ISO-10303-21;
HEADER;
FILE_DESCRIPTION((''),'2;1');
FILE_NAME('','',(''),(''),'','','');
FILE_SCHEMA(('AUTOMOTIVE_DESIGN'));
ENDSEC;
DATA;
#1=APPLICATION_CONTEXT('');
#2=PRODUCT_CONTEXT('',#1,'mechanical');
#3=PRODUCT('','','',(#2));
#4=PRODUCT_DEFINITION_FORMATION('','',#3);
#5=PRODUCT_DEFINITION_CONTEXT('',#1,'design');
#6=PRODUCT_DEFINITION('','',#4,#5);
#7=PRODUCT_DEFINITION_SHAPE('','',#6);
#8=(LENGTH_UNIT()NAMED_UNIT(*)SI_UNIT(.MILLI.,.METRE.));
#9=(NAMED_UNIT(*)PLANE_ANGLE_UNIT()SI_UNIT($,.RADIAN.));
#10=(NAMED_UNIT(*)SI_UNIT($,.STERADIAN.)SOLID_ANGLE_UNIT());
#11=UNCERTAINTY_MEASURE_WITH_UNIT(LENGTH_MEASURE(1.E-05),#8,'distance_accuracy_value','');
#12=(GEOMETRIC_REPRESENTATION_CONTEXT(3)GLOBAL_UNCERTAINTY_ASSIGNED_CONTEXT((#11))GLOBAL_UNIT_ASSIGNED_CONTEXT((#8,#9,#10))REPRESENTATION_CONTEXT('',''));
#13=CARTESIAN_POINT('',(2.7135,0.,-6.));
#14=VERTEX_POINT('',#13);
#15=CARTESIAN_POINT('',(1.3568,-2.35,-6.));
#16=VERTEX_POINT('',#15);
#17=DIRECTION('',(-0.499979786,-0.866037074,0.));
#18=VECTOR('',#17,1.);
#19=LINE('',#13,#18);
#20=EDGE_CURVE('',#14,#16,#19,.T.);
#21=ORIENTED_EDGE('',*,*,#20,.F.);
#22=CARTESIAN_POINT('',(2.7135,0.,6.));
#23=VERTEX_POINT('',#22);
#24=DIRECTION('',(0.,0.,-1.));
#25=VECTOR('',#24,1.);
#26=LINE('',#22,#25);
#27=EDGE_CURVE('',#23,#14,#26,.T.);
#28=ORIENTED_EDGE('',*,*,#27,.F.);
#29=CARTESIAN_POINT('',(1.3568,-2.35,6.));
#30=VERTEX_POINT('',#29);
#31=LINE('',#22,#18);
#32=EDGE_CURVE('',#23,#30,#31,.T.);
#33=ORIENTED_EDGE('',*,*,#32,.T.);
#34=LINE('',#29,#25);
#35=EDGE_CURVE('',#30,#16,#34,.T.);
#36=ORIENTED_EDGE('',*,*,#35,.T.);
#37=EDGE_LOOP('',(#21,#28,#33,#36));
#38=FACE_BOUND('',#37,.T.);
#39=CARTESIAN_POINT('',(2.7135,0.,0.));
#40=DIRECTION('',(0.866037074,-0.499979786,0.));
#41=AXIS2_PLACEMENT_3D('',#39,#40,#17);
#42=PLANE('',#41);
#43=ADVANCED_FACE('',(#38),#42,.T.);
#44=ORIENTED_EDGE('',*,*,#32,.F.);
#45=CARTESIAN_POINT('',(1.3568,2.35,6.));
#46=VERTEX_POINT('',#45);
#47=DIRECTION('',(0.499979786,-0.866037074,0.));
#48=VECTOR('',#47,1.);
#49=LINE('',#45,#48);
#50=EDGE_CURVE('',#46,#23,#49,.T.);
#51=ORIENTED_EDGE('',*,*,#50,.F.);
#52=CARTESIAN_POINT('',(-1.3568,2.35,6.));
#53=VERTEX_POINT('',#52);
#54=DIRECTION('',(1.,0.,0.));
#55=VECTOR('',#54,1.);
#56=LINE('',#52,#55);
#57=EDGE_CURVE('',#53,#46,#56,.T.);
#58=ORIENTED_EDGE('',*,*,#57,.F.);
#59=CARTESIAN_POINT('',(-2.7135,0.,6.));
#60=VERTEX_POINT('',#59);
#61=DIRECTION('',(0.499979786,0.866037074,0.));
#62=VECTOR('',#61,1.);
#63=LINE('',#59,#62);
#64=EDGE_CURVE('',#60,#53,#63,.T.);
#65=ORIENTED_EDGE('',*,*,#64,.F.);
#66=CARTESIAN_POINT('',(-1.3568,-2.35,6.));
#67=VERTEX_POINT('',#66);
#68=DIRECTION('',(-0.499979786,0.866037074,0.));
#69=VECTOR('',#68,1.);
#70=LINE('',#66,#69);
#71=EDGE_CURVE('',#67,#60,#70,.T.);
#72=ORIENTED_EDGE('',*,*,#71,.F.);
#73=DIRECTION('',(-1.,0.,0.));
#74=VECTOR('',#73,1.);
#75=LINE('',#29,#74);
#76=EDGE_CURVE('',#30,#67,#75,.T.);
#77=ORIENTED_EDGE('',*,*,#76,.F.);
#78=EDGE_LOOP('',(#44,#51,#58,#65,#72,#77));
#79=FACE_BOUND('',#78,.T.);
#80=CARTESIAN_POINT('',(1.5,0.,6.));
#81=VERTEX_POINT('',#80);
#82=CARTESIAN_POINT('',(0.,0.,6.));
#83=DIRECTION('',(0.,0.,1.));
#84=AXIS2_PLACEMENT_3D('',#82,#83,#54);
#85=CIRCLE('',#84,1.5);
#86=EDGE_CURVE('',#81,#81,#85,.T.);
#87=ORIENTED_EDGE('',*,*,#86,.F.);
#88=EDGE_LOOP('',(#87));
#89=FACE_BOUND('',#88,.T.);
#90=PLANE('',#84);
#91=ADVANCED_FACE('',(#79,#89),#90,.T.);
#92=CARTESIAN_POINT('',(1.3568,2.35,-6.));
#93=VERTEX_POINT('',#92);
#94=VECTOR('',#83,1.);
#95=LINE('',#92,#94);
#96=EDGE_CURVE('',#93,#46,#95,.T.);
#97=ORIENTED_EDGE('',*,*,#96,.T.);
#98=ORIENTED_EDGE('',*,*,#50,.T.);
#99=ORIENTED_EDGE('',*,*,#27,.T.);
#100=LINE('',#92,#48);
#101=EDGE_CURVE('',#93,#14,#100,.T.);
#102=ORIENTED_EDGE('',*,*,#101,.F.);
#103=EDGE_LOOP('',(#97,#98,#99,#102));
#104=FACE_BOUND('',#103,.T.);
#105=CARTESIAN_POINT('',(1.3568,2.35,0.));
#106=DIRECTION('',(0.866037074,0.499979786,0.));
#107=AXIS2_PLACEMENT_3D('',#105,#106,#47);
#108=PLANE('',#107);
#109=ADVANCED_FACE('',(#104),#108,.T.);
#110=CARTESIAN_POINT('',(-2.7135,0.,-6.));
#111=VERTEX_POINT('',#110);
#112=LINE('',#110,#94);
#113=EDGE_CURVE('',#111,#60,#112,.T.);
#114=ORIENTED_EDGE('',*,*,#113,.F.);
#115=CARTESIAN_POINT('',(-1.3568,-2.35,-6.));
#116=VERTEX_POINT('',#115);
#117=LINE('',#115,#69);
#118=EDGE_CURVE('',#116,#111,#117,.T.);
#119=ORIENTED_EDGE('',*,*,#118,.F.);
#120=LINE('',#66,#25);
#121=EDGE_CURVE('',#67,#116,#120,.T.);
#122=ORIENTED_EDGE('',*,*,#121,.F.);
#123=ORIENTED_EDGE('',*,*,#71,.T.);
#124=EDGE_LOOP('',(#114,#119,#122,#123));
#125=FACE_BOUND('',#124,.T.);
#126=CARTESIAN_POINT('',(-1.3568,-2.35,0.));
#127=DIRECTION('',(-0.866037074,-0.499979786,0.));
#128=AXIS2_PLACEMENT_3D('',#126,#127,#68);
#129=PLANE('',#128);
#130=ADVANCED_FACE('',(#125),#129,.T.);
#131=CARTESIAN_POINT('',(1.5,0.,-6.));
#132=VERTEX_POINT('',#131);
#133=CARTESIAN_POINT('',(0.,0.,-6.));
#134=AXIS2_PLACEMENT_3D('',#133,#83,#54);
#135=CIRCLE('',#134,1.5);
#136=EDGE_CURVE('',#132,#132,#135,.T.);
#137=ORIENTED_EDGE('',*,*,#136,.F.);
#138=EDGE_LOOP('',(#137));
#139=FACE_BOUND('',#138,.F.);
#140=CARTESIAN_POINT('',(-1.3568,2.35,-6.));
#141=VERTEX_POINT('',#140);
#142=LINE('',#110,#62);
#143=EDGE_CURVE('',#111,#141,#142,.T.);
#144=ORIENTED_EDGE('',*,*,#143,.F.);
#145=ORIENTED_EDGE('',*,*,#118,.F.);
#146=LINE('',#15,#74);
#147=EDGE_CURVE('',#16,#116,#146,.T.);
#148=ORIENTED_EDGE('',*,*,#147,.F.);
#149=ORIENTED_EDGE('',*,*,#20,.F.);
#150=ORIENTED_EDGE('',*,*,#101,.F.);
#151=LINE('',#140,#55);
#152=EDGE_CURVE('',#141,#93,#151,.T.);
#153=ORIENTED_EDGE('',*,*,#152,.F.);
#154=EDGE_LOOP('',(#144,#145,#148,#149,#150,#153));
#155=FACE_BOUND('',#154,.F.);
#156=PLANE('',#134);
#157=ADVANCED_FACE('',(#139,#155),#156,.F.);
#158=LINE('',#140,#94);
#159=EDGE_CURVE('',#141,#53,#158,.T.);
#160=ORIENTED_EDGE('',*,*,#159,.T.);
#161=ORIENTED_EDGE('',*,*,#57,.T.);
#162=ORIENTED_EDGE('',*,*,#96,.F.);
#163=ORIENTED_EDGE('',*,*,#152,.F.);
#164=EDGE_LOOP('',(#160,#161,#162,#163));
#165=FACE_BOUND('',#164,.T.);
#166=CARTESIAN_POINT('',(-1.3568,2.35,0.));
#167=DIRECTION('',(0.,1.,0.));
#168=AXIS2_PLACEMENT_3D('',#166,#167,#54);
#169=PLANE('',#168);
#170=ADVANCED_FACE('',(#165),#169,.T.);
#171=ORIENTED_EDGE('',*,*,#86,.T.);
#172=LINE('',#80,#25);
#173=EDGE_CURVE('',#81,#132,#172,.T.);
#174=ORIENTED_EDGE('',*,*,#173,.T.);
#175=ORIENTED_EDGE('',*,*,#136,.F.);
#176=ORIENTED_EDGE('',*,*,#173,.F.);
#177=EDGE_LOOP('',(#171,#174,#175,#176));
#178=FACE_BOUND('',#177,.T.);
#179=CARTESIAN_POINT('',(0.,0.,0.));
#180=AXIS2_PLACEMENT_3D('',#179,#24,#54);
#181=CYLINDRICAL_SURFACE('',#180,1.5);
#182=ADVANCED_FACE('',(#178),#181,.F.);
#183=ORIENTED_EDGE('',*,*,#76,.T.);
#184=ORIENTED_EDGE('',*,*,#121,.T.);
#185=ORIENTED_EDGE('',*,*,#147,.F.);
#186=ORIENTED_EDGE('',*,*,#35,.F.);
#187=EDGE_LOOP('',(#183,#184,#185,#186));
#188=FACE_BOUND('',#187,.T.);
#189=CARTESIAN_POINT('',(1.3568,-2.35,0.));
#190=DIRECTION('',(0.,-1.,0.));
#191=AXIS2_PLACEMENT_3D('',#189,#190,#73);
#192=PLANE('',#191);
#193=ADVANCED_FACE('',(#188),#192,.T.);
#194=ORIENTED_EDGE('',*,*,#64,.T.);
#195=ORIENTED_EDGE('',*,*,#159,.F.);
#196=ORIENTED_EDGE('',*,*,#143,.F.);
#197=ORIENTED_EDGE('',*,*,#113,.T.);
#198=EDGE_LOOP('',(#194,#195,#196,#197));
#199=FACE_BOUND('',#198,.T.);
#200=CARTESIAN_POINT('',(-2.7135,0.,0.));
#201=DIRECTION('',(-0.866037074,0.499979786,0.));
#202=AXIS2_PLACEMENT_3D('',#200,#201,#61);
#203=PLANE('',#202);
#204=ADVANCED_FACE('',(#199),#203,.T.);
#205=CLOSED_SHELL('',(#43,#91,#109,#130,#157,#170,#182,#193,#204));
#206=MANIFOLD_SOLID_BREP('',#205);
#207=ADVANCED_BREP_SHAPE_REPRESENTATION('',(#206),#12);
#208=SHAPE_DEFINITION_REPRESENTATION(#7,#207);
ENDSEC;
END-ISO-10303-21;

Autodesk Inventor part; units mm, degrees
ref_plane "YZ Plane" through (0, 0, 0) normal (1, 0, 0) x (0, 1, 0)
ref_plane "XZ Plane" through (0, 0, 0) normal (0, 1, 0) x (-1, 0, 0)
ref_plane "XY Plane" through (0, 0, 0) normal (0, 0, 1) x (1, 0, 0)
sketch "Sketch1" plane through (0, 0, 0) normal (0, 0, 1) x (1, 0, 0)
  line L0 (1.3568, 2.35) -> (2.7135, 0)
  line L1 (2.7135, 0) -> (1.3568, -2.35)
  line L2 (1.3568, -2.35) -> (-1.3568, -2.35)
  line L3 (-1.3568, -2.35) -> (-2.7135, 0)
  line L4 (-2.7135, 0) -> (-1.3568, 2.35)
  line L5 (-1.3568, 2.35) -> (1.3568, 2.35)
  circle A0 centre (0, 0) radius 1.5
  point P0 (0, 2.35)
  dimension "d0" = 4.7
  dimension "d1" = 3
extrude "Extrusion1" add sketch "Sketch1" along normal mid plane 12
properties part number "spacerHex" material "Brass, Soft Yellow, Welded"
